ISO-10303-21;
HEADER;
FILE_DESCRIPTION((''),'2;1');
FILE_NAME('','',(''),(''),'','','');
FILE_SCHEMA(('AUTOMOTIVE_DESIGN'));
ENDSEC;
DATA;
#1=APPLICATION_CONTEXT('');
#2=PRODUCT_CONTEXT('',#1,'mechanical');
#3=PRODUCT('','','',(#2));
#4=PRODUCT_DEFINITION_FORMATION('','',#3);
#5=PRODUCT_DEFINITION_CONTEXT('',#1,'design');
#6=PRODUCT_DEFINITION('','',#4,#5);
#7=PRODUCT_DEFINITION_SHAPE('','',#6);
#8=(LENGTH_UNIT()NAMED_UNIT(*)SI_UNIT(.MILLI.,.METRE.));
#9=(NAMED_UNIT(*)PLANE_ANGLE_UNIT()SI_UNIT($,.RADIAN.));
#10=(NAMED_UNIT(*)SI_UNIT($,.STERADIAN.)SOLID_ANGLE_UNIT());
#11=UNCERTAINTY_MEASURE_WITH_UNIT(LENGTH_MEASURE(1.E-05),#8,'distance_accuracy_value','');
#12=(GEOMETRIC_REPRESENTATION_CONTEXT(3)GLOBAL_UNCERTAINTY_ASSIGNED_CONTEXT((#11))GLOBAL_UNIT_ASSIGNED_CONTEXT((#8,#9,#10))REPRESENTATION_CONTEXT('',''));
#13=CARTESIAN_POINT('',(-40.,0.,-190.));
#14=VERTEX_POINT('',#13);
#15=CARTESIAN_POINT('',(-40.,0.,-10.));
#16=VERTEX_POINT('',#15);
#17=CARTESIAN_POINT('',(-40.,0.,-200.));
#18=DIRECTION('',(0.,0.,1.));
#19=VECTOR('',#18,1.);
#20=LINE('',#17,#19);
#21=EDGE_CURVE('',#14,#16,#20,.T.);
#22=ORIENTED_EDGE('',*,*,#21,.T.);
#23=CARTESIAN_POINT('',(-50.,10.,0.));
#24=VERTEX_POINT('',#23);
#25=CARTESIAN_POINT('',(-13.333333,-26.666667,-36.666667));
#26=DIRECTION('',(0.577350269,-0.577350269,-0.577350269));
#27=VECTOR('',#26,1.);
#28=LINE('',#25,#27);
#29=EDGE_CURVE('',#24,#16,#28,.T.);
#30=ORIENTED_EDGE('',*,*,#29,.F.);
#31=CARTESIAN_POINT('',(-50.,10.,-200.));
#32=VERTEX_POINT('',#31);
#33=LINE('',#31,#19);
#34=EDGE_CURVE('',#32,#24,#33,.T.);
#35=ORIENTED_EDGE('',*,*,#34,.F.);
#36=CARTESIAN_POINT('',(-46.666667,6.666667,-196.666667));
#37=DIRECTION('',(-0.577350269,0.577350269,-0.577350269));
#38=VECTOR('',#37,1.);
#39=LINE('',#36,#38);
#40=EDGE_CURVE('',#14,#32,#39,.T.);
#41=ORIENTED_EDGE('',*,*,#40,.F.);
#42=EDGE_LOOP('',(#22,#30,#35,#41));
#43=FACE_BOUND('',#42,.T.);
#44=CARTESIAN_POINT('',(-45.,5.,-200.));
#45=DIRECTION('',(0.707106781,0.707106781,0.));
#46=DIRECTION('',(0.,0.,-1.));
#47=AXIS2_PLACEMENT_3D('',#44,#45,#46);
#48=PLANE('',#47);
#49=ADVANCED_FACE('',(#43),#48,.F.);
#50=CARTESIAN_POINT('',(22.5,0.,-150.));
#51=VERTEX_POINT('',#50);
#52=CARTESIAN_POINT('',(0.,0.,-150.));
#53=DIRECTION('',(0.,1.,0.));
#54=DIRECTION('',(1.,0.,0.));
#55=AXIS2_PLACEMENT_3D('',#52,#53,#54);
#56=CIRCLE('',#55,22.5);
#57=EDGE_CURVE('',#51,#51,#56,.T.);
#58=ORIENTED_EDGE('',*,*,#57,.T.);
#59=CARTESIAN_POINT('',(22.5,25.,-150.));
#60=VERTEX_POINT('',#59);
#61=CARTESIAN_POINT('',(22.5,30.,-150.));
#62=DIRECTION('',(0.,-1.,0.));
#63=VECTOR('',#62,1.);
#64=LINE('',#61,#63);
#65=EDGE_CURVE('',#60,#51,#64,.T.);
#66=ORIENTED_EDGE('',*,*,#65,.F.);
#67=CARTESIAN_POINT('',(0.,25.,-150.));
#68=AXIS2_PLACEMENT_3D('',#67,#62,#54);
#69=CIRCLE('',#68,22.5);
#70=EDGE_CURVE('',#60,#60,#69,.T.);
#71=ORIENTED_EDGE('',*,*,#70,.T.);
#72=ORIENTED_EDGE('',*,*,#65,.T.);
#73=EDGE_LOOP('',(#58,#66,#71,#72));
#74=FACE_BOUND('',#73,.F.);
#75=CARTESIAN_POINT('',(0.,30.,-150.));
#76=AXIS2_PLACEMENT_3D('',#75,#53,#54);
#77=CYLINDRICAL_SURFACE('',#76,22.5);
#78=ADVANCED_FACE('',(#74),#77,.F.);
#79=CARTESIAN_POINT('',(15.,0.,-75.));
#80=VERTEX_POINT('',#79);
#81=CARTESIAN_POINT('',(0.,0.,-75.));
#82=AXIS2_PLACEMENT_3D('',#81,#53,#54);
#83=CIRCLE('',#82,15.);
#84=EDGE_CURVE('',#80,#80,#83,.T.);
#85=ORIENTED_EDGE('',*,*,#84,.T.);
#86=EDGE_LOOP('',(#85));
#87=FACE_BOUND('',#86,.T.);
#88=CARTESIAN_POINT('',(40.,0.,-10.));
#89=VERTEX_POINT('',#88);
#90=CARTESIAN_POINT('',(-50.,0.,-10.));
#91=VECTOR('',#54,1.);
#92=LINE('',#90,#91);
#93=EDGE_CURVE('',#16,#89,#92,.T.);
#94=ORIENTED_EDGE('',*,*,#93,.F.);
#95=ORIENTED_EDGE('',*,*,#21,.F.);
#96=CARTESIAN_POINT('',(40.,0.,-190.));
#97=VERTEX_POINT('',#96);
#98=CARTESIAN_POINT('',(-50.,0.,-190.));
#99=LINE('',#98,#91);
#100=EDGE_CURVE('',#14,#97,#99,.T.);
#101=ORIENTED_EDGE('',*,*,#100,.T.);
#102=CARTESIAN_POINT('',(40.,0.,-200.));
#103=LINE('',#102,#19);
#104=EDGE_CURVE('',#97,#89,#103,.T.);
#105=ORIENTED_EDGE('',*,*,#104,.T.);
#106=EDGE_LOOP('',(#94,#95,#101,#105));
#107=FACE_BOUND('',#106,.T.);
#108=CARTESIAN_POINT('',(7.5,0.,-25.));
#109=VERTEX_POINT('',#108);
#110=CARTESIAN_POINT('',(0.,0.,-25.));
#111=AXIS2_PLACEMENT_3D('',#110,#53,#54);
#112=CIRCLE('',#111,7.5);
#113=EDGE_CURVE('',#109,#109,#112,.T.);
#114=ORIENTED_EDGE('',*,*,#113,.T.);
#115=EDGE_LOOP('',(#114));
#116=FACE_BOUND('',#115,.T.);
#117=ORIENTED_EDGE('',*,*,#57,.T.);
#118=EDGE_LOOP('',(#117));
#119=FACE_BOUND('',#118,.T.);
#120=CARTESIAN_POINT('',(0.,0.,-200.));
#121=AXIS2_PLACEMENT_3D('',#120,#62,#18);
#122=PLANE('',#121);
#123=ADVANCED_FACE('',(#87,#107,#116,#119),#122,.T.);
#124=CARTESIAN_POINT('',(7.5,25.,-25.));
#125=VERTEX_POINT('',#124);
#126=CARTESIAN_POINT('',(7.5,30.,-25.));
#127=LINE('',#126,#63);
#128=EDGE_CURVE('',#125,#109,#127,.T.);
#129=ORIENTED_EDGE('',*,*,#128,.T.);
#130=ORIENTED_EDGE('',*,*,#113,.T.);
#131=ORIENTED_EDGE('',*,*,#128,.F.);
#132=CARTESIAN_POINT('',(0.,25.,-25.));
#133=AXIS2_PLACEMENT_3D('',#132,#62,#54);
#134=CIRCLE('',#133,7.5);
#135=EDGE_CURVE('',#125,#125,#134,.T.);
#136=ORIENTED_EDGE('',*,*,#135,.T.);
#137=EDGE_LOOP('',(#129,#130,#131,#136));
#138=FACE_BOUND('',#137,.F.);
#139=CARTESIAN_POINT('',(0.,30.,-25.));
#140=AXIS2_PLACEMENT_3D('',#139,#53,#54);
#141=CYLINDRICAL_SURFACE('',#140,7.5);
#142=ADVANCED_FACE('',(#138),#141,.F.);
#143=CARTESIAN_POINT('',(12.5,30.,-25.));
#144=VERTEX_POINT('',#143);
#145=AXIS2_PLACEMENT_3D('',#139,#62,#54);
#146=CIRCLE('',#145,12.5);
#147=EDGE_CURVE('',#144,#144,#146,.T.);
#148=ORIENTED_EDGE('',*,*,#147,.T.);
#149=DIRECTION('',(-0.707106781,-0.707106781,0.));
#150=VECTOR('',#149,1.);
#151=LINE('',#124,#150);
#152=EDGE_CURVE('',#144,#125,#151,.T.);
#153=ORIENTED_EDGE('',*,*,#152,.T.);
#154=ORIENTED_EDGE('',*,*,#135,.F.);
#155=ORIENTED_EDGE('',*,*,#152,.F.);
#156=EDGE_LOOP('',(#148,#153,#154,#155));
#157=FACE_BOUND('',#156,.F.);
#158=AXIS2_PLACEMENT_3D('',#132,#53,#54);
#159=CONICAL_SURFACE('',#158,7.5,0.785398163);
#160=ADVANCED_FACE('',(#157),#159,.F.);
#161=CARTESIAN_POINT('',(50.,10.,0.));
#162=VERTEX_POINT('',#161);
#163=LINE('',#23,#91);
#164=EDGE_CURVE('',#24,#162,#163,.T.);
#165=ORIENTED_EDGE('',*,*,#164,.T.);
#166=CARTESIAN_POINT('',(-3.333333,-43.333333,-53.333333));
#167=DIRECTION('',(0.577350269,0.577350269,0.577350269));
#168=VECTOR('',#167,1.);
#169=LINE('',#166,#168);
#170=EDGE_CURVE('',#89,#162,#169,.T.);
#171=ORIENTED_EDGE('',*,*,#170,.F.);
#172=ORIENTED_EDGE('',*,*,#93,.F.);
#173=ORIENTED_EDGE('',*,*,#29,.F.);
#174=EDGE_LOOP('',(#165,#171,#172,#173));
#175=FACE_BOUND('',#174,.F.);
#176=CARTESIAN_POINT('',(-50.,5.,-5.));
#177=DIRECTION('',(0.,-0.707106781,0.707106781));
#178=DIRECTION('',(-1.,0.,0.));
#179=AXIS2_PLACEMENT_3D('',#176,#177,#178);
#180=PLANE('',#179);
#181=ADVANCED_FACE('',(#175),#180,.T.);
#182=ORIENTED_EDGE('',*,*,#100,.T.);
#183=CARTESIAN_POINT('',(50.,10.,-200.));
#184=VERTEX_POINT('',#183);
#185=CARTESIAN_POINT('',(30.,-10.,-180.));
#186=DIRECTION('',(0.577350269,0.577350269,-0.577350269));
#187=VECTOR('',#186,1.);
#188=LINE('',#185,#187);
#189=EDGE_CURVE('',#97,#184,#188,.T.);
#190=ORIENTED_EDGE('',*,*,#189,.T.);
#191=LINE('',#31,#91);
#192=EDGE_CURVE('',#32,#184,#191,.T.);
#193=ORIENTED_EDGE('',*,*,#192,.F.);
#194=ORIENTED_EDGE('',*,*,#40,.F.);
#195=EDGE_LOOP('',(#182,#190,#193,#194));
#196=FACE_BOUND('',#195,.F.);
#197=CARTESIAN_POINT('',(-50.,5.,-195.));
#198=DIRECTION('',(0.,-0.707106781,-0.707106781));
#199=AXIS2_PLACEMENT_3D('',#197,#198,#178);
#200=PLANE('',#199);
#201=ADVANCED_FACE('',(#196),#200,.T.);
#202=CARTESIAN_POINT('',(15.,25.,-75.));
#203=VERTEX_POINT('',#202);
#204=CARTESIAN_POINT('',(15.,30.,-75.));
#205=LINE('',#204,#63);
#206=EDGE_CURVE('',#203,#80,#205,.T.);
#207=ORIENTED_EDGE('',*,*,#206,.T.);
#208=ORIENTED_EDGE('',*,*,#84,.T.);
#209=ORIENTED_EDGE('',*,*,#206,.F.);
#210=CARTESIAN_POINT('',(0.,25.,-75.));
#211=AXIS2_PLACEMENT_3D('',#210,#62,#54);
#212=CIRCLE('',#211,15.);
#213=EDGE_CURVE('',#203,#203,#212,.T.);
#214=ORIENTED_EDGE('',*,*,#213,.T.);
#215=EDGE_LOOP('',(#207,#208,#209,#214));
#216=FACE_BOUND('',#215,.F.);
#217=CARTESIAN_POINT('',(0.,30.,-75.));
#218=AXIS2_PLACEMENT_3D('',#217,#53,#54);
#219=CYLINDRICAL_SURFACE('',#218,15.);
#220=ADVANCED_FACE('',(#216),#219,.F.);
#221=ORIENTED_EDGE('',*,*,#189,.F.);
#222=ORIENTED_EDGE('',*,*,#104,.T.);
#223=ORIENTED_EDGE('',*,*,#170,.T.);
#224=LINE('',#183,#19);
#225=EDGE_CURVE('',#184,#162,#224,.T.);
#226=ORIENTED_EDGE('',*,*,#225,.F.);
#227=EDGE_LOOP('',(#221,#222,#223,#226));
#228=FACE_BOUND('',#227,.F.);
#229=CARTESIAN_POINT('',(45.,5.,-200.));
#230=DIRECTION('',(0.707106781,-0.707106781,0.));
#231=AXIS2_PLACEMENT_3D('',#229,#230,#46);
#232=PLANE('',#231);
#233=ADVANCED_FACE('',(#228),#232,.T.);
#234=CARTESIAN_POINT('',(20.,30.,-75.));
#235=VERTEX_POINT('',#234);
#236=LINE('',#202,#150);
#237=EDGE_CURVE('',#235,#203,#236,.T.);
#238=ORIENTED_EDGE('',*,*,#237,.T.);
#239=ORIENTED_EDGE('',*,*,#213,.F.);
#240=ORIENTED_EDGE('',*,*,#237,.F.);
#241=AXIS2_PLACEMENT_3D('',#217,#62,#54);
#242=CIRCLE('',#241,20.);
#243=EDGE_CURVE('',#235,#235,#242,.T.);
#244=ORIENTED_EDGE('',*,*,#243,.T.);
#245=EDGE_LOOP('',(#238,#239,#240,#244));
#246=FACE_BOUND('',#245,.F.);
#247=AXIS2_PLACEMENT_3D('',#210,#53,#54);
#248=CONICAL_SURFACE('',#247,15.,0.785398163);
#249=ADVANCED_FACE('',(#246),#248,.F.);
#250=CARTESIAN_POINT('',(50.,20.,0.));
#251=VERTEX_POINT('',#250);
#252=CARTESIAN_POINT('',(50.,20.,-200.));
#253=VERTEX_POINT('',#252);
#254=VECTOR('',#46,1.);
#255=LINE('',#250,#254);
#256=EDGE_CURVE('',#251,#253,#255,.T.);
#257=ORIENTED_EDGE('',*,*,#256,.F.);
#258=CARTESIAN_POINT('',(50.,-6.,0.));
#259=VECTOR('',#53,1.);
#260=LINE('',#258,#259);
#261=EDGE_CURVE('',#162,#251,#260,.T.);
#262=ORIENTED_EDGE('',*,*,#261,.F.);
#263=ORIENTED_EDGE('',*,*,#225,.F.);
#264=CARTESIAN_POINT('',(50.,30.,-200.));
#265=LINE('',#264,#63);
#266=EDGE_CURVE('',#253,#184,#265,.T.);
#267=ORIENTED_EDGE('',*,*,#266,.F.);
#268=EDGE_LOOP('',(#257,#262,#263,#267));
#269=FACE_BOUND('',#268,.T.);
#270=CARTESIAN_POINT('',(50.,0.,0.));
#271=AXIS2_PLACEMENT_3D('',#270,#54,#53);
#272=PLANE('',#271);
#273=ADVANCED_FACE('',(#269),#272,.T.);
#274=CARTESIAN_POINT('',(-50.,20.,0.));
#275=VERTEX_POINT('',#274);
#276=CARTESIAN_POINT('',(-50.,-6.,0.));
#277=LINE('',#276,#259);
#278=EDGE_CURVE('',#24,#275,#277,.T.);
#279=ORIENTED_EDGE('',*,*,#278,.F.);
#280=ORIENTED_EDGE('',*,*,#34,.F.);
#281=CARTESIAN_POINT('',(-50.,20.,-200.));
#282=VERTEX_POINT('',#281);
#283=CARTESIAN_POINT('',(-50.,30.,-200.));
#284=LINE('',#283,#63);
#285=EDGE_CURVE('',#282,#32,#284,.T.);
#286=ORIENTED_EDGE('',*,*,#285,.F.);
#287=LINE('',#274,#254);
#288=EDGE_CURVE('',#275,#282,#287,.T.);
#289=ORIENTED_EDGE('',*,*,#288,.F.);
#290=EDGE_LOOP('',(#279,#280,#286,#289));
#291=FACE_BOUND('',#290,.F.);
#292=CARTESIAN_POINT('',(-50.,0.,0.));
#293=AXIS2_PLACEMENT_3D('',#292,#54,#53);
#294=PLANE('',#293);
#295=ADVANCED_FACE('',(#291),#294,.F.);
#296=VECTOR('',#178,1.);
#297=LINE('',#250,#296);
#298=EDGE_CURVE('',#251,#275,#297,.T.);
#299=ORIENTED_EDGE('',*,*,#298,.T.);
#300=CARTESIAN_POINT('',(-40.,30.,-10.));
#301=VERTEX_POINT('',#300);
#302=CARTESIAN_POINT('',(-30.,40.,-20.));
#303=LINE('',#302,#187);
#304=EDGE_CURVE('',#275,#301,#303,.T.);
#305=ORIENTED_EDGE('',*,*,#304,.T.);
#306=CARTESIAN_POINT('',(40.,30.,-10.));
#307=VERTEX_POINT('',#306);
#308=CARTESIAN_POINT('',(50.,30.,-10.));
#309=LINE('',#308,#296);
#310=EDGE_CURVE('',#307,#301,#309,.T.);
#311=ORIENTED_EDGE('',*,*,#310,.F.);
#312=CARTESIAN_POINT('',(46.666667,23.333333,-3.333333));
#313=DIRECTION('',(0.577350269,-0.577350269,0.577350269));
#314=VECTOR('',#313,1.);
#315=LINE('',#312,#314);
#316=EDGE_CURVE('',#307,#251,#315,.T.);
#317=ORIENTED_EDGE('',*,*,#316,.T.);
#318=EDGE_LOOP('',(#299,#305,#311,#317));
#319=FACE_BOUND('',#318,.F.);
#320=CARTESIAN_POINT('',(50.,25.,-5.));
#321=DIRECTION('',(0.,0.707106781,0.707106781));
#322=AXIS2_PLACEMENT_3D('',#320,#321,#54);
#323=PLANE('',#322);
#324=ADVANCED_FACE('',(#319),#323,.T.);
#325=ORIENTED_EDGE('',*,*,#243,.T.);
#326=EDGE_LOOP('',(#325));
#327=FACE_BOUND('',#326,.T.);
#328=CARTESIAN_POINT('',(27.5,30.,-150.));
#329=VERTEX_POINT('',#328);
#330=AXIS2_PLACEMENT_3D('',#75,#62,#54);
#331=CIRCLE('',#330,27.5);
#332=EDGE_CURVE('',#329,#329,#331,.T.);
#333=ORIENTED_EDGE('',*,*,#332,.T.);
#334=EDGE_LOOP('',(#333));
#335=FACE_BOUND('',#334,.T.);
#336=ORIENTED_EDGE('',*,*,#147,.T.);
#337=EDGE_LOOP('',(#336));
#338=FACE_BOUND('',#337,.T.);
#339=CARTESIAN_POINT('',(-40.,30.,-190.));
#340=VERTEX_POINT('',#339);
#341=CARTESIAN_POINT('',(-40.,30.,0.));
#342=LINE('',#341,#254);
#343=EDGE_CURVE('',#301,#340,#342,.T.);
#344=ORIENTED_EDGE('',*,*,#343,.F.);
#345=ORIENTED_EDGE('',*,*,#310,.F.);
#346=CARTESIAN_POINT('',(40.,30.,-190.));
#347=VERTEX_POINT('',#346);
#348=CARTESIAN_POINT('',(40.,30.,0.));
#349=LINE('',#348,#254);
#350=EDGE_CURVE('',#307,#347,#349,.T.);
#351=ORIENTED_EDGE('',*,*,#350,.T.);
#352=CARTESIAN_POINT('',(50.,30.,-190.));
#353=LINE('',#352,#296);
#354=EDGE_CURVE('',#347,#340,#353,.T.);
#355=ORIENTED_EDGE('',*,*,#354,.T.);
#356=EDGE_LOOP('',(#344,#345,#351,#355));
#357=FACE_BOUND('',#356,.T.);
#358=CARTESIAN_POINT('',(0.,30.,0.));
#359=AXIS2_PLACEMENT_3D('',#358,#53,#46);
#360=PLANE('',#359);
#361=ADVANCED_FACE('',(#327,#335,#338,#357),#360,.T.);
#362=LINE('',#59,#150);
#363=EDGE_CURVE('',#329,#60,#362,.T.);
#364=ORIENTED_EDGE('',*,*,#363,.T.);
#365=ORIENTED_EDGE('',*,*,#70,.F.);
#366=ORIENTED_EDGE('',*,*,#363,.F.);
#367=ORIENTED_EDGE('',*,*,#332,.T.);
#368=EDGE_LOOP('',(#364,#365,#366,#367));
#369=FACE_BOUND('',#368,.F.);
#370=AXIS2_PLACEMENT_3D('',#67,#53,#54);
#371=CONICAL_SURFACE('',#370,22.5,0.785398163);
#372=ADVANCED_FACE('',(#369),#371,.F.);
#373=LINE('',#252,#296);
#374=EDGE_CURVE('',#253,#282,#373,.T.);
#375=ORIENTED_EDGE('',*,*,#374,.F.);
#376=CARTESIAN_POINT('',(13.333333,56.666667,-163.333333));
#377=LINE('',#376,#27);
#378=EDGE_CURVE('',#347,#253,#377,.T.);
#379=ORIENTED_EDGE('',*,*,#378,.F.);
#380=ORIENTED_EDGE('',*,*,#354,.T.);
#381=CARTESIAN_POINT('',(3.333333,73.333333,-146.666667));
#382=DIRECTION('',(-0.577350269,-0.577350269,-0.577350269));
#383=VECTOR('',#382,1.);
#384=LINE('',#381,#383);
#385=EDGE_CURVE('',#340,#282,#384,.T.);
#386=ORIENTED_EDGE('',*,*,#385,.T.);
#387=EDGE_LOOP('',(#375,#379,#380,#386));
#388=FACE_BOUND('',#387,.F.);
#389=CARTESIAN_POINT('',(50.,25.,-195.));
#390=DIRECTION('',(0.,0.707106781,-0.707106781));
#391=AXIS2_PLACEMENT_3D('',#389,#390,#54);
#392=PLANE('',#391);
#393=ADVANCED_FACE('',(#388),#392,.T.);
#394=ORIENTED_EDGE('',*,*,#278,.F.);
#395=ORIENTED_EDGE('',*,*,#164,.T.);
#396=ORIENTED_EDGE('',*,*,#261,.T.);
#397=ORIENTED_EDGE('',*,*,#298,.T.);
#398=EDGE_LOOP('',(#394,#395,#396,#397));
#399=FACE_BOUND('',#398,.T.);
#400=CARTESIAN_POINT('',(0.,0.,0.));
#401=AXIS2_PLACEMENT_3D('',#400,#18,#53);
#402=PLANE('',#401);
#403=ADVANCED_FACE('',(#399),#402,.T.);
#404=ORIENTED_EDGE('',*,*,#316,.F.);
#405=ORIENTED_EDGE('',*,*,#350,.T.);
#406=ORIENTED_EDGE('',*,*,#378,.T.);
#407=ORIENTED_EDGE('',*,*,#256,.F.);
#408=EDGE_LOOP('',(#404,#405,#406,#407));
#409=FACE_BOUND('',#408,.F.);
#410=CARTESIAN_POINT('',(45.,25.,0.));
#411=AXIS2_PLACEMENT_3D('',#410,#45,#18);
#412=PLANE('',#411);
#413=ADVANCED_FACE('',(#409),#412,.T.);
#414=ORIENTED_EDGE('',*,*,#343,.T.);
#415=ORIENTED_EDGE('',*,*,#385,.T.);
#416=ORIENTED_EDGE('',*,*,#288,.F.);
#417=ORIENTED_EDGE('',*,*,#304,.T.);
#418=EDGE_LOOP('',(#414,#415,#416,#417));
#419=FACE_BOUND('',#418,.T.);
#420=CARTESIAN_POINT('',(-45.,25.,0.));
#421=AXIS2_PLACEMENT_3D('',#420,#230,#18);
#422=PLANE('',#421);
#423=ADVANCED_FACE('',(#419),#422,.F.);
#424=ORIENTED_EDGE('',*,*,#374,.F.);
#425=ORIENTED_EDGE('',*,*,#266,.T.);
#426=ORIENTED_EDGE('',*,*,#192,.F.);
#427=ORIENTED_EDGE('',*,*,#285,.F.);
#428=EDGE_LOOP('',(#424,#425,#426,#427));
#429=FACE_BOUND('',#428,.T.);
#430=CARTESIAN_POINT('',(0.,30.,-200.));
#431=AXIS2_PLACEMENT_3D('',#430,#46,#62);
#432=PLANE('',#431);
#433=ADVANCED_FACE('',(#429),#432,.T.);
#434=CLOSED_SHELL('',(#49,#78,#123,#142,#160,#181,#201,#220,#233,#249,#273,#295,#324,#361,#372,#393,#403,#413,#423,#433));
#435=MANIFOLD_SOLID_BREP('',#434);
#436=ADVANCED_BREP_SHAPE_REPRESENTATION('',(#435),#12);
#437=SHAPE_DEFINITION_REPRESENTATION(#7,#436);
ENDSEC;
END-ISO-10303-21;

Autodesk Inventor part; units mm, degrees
ref_plane "YZ Plane" through (0, 0, 0) normal (1, 0, 0) x (0, 1, 0)
ref_plane "XZ Plane" through (0, 0, 0) normal (0, 1, 0) x (-1, 0, 0)
ref_plane "XY Plane" through (0, 0, 0) normal (0, 0, 1) x (1, 0, 0)
sketch "草圖1" plane through (0, 0, 0) normal (1, 0, 0) x (0, 1, 0)
  line L0 (-6, 0) -> (36, 0) projected
  line L1 (0, -240) -> (0, 40) projected
  line L2 (0, 0) -> (30, 0)
  line L3 (30, 0) -> (30, -200)
  line L4 (30, -200) -> (0, -200)
  line L5 (0, -200) -> (0, 0)
  dimension "d0" = 30
  dimension "d1" = 200
extrude "擠出1" add sketch "草圖1" along normal mid plane 100
chamfer "倒角1" distance 10 angle 45 8 edges at (50, 30, -100) (0, 30, 0) (-50, 30, -100) (0, 30, -200) (50, 0, -100) (0, 0, 0) (0, 0, -200) (-50, 0, -100)
sketch "草圖2" plane through (-40, 30, -190) normal (0, 1, 0) x (1, 0, 0)
  line L0 (40, -190) -> (40, 28.9539)
  line L1 (-10, -190) -> (90, -190) projected
  circle A0 centre (40, -165) radius 7.5
  circle A1 centre (40, -115) radius 15
  circle A2 centre (40, -40) radius 22.5
  point P0 (40, -90.6326)
  point P1 (40, -37.7519)
  dimension "d7" = 25
  dimension "d8" = 15
  dimension "d9" = 30
  dimension "d10" = 45
  dimension "d11" = 50
  dimension "d12" = 75
extrude "擠出2" cut sketch "草圖2" against normal blind 108
chamfer "倒角2" distance 5 angle 45 3 edges at (-15, 30, -75) (-7.5, 30, -25) (-22.5, 30, -150)
properties part number "exercise2-1"
